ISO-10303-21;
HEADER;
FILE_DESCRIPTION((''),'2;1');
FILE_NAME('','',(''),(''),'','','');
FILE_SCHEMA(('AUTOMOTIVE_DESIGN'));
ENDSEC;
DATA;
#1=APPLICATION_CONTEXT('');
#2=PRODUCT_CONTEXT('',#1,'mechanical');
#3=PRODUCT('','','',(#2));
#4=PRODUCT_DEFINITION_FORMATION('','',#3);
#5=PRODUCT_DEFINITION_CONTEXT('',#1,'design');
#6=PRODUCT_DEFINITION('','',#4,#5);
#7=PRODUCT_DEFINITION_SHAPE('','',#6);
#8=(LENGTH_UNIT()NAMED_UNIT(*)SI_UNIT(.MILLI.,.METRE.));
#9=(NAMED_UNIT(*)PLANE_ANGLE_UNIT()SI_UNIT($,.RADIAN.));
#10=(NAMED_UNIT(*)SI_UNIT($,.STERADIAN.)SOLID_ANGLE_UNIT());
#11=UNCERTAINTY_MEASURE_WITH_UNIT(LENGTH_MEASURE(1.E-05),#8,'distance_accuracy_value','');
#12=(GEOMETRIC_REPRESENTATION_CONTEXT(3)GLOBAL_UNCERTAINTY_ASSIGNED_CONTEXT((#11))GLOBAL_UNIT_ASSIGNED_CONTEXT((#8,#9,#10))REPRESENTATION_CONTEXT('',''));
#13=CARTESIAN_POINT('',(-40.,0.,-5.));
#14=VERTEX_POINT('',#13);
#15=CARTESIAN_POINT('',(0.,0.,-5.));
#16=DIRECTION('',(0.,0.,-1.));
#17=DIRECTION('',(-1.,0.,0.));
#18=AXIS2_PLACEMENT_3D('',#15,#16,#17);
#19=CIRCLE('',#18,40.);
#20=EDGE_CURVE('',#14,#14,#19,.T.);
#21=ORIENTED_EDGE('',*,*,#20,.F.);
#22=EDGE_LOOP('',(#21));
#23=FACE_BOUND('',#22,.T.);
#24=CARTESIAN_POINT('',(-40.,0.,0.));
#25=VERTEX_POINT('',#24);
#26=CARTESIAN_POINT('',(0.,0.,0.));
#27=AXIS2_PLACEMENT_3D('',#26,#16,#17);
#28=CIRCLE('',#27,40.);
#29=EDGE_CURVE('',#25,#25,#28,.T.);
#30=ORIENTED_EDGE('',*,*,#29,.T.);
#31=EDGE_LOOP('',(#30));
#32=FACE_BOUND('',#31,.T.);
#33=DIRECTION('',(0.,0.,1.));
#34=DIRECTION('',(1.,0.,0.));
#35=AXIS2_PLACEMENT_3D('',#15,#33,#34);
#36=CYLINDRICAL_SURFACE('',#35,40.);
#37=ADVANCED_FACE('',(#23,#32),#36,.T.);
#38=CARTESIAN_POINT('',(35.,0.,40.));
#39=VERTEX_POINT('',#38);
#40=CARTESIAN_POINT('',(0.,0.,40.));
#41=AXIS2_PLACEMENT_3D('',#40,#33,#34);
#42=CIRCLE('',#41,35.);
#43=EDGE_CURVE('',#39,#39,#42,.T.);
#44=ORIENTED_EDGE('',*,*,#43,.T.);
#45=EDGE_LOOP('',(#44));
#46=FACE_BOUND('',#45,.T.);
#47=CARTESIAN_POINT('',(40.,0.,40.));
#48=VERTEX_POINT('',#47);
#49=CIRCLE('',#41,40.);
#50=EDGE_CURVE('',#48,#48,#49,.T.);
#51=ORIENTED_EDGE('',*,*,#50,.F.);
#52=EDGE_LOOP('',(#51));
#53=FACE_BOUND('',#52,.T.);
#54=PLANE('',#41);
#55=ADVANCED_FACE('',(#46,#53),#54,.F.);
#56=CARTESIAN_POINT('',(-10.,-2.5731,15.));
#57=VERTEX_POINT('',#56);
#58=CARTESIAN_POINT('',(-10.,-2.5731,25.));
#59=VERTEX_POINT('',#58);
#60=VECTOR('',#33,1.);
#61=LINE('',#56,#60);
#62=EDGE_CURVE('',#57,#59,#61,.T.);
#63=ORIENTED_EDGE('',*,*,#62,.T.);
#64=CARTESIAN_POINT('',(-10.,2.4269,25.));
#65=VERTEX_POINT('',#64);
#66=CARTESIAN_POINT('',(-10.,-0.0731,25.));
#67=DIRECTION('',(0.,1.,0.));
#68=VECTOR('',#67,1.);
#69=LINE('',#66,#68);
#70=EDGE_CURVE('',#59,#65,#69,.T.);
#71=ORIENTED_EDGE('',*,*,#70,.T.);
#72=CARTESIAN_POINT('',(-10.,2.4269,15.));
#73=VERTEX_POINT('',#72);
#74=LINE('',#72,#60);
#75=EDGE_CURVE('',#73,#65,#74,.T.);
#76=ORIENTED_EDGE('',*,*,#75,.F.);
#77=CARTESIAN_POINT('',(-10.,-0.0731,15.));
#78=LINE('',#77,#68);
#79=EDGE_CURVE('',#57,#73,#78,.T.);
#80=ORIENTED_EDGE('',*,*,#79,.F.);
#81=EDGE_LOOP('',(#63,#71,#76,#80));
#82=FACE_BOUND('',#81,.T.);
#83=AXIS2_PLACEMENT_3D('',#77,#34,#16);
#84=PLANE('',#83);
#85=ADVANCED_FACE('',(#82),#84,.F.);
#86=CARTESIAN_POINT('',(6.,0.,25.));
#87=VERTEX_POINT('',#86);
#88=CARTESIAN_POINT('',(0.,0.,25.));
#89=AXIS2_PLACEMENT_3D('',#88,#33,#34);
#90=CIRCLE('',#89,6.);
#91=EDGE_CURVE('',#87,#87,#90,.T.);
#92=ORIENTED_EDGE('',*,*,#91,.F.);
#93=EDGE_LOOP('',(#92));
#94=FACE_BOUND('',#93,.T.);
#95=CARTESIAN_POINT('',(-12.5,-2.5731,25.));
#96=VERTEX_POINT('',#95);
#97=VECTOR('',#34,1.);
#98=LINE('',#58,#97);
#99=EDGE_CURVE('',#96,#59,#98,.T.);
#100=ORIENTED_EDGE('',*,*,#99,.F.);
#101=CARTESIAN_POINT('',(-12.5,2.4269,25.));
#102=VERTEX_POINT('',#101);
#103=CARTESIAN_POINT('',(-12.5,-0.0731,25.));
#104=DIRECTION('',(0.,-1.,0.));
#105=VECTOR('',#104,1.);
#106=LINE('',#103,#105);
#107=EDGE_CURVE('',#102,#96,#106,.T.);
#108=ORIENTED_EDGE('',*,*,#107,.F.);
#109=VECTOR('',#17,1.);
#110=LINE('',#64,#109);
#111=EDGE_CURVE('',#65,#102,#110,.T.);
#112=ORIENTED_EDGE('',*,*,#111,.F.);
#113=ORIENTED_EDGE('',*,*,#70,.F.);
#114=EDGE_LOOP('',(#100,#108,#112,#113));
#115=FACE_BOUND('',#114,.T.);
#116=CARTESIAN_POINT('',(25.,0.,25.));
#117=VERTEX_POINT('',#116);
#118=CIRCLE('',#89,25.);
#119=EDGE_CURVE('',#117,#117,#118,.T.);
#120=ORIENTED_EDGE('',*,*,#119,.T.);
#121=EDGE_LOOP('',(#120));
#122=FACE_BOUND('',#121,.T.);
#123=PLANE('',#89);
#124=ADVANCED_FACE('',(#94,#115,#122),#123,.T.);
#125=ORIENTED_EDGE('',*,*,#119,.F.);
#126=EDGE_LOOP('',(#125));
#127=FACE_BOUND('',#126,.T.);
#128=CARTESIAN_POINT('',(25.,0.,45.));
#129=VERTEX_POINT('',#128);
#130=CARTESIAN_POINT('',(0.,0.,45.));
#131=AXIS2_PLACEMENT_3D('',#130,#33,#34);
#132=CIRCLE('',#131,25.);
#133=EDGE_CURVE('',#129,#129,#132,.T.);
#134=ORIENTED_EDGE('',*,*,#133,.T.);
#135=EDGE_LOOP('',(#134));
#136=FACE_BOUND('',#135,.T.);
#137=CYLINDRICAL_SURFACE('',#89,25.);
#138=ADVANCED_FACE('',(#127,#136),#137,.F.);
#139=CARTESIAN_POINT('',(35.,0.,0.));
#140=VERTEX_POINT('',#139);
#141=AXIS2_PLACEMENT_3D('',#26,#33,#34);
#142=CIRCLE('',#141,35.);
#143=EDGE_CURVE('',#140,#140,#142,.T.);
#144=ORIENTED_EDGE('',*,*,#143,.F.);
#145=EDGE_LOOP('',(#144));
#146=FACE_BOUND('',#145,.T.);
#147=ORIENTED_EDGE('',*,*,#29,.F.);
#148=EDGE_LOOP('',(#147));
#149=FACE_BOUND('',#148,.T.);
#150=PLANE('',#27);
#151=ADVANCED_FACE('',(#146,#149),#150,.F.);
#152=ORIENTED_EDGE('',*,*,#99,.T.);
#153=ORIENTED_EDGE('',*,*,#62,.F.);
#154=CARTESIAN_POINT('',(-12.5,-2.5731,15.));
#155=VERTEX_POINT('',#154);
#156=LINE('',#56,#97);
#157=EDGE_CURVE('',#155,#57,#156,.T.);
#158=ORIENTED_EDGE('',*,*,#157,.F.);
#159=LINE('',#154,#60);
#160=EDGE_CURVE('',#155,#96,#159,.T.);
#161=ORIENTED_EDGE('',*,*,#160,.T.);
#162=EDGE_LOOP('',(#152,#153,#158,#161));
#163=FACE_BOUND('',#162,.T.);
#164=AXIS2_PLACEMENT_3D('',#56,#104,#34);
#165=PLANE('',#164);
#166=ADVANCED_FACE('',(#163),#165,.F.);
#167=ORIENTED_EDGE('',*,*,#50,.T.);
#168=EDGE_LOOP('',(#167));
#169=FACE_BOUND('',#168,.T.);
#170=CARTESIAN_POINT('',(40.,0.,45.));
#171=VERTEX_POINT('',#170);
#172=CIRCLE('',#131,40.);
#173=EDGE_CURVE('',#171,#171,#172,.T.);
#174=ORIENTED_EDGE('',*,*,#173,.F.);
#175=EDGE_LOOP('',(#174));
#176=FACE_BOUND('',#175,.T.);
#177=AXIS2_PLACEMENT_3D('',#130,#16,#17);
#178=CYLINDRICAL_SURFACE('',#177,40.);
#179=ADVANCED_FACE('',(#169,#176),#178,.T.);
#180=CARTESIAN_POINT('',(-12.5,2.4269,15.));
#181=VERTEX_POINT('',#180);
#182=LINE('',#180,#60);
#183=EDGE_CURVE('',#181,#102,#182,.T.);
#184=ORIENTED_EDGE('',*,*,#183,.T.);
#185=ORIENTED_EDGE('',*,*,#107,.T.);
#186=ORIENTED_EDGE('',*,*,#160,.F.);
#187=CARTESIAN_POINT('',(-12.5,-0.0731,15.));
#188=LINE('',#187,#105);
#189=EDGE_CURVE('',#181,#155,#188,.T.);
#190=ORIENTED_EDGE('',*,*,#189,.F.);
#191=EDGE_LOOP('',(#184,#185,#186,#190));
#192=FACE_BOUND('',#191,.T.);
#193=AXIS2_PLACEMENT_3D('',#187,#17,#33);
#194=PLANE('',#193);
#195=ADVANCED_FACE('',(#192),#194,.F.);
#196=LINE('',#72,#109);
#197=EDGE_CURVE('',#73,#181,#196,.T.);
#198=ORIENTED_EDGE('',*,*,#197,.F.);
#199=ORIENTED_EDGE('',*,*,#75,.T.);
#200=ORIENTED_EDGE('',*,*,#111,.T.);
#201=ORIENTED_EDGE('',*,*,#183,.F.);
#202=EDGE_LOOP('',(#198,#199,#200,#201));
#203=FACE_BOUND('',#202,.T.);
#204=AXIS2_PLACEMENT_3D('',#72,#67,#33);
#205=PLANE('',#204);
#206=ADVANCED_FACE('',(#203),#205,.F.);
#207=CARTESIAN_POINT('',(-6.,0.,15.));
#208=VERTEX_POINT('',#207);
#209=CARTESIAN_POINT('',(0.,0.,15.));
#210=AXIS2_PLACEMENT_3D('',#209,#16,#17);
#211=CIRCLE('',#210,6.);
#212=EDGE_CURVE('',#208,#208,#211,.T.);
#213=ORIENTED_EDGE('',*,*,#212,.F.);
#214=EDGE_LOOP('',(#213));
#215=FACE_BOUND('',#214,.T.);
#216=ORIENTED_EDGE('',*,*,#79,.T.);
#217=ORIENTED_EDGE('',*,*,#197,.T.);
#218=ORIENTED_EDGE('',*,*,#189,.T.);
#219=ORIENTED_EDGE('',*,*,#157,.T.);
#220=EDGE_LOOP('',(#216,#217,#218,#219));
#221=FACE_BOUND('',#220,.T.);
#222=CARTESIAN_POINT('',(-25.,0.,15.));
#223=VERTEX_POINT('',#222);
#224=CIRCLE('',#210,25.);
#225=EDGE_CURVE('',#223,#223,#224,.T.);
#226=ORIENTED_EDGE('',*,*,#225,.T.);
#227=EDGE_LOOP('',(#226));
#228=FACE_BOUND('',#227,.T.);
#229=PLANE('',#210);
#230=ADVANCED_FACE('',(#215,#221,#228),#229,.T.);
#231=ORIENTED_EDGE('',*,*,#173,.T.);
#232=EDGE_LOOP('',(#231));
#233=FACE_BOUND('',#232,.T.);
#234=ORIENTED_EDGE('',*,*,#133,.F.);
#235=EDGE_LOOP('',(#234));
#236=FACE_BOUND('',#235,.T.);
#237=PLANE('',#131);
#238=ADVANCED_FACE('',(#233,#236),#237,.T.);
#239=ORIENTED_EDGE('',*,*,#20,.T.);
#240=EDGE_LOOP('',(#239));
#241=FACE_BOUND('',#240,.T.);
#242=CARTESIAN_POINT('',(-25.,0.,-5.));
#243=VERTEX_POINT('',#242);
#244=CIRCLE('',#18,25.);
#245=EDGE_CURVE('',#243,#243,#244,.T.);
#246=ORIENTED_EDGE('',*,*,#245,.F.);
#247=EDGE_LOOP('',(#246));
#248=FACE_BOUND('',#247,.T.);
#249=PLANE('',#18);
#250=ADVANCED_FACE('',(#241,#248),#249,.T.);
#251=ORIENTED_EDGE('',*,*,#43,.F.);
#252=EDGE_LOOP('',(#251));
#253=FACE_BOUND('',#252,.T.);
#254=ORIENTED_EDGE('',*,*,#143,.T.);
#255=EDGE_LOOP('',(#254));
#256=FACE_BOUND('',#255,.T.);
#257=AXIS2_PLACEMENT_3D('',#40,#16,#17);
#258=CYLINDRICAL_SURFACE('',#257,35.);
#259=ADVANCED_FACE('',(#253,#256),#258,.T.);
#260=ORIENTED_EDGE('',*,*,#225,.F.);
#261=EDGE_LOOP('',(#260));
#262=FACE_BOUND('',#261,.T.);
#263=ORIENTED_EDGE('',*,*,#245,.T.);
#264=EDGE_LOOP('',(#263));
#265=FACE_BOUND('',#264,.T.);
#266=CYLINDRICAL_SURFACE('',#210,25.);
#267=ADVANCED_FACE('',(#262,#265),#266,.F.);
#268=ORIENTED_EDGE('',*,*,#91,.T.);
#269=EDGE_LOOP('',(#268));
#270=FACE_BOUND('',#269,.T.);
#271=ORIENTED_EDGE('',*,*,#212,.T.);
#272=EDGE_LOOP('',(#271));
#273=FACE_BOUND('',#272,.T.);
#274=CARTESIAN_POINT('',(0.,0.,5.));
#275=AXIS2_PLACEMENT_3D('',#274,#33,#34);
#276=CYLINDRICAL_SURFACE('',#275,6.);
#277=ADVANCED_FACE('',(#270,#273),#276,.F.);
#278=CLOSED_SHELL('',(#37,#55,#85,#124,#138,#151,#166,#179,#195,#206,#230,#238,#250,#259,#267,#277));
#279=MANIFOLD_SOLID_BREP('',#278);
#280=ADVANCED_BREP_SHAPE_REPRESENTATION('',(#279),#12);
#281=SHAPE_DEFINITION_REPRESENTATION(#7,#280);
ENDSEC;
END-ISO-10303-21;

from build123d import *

# Parameters (mm, degrees)
SKETCH1_R           = 35
BOSS_EXTRUDE1_DEPTH = 40
SKETCH2_R           = 40
BOSS_EXTRUDE2_DEPTH = 5
BOSS_EXTRUDE3_START = 5
SKETCH3_R           = 40
BOSS_EXTRUDE3_DEPTH = 5
SKETCH4_R           = 25
CUT_EXTRUDE1_DEPTH  = 20
CUT_EXTRUDE2_START  = -20
SKETCH5_R           = 25
CUT_EXTRUDE2_DEPTH  = 20
SKETCH6_R           = 6
CUT_EXTRUDE3_DEPTH  = 20
CUT_EXTRUDE4_DEPTH  = 10


with BuildPart() as part:
    # Sketch1 → Boss-Extrude1 (new body)
    with BuildSketch(Plane.XY):
        Circle(SKETCH1_R)
    extrude(amount=BOSS_EXTRUDE1_DEPTH)

    # Sketch2 → Boss-Extrude2 (add)
    with BuildSketch(Plane.XY.offset(40)):
        Circle(SKETCH2_R)
    extrude(amount=BOSS_EXTRUDE2_DEPTH)

    # Sketch3 → Boss-Extrude3 (add)
    with BuildSketch(Plane(origin=(0, 0, 0), x_dir=(-1, 0, 0), z_dir=(0, 0, -1)).offset(BOSS_EXTRUDE3_START)):
        with Locations(Location((0, 0, 0), (0, 0, 180))):
            Circle(SKETCH3_R)
    extrude(amount=-BOSS_EXTRUDE3_DEPTH)

    # Sketch4 → Cut-Extrude1 (cut)
    with BuildSketch(Plane.XY.offset(45)):
        Circle(SKETCH4_R)
    extrude(amount=-CUT_EXTRUDE1_DEPTH, mode=Mode.SUBTRACT)

    # Sketch5 → Cut-Extrude2 (cut)
    with BuildSketch(Plane(origin=(0, 0, -5), x_dir=(-1, 0, 0), z_dir=(0, 0, -1)).offset(CUT_EXTRUDE2_START)):
        with Locations(Location((0, 0, 0), (0, 0, 180))):
            Circle(SKETCH5_R)
    extrude(amount=CUT_EXTRUDE2_DEPTH, mode=Mode.SUBTRACT)

    # Sketch6 → Cut-Extrude3 (cut)
    with BuildSketch(Plane.XY.offset(25)):
        Circle(SKETCH6_R)
    extrude(amount=-CUT_EXTRUDE3_DEPTH, mode=Mode.SUBTRACT)

    # Sketch7 → Cut-Extrude4 (cut)
    with BuildSketch(Plane.XY.offset(25)):
        Polygon((-10, -0.07309958), (-10, -2.57309958), (-12.5, -2.57309958), (-12.5, -0.07309958), (-12.5, 2.42690042), (-10, 2.42690042), align=None)
    extrude(amount=-CUT_EXTRUDE4_DEPTH, mode=Mode.SUBTRACT)


solid = part.part
